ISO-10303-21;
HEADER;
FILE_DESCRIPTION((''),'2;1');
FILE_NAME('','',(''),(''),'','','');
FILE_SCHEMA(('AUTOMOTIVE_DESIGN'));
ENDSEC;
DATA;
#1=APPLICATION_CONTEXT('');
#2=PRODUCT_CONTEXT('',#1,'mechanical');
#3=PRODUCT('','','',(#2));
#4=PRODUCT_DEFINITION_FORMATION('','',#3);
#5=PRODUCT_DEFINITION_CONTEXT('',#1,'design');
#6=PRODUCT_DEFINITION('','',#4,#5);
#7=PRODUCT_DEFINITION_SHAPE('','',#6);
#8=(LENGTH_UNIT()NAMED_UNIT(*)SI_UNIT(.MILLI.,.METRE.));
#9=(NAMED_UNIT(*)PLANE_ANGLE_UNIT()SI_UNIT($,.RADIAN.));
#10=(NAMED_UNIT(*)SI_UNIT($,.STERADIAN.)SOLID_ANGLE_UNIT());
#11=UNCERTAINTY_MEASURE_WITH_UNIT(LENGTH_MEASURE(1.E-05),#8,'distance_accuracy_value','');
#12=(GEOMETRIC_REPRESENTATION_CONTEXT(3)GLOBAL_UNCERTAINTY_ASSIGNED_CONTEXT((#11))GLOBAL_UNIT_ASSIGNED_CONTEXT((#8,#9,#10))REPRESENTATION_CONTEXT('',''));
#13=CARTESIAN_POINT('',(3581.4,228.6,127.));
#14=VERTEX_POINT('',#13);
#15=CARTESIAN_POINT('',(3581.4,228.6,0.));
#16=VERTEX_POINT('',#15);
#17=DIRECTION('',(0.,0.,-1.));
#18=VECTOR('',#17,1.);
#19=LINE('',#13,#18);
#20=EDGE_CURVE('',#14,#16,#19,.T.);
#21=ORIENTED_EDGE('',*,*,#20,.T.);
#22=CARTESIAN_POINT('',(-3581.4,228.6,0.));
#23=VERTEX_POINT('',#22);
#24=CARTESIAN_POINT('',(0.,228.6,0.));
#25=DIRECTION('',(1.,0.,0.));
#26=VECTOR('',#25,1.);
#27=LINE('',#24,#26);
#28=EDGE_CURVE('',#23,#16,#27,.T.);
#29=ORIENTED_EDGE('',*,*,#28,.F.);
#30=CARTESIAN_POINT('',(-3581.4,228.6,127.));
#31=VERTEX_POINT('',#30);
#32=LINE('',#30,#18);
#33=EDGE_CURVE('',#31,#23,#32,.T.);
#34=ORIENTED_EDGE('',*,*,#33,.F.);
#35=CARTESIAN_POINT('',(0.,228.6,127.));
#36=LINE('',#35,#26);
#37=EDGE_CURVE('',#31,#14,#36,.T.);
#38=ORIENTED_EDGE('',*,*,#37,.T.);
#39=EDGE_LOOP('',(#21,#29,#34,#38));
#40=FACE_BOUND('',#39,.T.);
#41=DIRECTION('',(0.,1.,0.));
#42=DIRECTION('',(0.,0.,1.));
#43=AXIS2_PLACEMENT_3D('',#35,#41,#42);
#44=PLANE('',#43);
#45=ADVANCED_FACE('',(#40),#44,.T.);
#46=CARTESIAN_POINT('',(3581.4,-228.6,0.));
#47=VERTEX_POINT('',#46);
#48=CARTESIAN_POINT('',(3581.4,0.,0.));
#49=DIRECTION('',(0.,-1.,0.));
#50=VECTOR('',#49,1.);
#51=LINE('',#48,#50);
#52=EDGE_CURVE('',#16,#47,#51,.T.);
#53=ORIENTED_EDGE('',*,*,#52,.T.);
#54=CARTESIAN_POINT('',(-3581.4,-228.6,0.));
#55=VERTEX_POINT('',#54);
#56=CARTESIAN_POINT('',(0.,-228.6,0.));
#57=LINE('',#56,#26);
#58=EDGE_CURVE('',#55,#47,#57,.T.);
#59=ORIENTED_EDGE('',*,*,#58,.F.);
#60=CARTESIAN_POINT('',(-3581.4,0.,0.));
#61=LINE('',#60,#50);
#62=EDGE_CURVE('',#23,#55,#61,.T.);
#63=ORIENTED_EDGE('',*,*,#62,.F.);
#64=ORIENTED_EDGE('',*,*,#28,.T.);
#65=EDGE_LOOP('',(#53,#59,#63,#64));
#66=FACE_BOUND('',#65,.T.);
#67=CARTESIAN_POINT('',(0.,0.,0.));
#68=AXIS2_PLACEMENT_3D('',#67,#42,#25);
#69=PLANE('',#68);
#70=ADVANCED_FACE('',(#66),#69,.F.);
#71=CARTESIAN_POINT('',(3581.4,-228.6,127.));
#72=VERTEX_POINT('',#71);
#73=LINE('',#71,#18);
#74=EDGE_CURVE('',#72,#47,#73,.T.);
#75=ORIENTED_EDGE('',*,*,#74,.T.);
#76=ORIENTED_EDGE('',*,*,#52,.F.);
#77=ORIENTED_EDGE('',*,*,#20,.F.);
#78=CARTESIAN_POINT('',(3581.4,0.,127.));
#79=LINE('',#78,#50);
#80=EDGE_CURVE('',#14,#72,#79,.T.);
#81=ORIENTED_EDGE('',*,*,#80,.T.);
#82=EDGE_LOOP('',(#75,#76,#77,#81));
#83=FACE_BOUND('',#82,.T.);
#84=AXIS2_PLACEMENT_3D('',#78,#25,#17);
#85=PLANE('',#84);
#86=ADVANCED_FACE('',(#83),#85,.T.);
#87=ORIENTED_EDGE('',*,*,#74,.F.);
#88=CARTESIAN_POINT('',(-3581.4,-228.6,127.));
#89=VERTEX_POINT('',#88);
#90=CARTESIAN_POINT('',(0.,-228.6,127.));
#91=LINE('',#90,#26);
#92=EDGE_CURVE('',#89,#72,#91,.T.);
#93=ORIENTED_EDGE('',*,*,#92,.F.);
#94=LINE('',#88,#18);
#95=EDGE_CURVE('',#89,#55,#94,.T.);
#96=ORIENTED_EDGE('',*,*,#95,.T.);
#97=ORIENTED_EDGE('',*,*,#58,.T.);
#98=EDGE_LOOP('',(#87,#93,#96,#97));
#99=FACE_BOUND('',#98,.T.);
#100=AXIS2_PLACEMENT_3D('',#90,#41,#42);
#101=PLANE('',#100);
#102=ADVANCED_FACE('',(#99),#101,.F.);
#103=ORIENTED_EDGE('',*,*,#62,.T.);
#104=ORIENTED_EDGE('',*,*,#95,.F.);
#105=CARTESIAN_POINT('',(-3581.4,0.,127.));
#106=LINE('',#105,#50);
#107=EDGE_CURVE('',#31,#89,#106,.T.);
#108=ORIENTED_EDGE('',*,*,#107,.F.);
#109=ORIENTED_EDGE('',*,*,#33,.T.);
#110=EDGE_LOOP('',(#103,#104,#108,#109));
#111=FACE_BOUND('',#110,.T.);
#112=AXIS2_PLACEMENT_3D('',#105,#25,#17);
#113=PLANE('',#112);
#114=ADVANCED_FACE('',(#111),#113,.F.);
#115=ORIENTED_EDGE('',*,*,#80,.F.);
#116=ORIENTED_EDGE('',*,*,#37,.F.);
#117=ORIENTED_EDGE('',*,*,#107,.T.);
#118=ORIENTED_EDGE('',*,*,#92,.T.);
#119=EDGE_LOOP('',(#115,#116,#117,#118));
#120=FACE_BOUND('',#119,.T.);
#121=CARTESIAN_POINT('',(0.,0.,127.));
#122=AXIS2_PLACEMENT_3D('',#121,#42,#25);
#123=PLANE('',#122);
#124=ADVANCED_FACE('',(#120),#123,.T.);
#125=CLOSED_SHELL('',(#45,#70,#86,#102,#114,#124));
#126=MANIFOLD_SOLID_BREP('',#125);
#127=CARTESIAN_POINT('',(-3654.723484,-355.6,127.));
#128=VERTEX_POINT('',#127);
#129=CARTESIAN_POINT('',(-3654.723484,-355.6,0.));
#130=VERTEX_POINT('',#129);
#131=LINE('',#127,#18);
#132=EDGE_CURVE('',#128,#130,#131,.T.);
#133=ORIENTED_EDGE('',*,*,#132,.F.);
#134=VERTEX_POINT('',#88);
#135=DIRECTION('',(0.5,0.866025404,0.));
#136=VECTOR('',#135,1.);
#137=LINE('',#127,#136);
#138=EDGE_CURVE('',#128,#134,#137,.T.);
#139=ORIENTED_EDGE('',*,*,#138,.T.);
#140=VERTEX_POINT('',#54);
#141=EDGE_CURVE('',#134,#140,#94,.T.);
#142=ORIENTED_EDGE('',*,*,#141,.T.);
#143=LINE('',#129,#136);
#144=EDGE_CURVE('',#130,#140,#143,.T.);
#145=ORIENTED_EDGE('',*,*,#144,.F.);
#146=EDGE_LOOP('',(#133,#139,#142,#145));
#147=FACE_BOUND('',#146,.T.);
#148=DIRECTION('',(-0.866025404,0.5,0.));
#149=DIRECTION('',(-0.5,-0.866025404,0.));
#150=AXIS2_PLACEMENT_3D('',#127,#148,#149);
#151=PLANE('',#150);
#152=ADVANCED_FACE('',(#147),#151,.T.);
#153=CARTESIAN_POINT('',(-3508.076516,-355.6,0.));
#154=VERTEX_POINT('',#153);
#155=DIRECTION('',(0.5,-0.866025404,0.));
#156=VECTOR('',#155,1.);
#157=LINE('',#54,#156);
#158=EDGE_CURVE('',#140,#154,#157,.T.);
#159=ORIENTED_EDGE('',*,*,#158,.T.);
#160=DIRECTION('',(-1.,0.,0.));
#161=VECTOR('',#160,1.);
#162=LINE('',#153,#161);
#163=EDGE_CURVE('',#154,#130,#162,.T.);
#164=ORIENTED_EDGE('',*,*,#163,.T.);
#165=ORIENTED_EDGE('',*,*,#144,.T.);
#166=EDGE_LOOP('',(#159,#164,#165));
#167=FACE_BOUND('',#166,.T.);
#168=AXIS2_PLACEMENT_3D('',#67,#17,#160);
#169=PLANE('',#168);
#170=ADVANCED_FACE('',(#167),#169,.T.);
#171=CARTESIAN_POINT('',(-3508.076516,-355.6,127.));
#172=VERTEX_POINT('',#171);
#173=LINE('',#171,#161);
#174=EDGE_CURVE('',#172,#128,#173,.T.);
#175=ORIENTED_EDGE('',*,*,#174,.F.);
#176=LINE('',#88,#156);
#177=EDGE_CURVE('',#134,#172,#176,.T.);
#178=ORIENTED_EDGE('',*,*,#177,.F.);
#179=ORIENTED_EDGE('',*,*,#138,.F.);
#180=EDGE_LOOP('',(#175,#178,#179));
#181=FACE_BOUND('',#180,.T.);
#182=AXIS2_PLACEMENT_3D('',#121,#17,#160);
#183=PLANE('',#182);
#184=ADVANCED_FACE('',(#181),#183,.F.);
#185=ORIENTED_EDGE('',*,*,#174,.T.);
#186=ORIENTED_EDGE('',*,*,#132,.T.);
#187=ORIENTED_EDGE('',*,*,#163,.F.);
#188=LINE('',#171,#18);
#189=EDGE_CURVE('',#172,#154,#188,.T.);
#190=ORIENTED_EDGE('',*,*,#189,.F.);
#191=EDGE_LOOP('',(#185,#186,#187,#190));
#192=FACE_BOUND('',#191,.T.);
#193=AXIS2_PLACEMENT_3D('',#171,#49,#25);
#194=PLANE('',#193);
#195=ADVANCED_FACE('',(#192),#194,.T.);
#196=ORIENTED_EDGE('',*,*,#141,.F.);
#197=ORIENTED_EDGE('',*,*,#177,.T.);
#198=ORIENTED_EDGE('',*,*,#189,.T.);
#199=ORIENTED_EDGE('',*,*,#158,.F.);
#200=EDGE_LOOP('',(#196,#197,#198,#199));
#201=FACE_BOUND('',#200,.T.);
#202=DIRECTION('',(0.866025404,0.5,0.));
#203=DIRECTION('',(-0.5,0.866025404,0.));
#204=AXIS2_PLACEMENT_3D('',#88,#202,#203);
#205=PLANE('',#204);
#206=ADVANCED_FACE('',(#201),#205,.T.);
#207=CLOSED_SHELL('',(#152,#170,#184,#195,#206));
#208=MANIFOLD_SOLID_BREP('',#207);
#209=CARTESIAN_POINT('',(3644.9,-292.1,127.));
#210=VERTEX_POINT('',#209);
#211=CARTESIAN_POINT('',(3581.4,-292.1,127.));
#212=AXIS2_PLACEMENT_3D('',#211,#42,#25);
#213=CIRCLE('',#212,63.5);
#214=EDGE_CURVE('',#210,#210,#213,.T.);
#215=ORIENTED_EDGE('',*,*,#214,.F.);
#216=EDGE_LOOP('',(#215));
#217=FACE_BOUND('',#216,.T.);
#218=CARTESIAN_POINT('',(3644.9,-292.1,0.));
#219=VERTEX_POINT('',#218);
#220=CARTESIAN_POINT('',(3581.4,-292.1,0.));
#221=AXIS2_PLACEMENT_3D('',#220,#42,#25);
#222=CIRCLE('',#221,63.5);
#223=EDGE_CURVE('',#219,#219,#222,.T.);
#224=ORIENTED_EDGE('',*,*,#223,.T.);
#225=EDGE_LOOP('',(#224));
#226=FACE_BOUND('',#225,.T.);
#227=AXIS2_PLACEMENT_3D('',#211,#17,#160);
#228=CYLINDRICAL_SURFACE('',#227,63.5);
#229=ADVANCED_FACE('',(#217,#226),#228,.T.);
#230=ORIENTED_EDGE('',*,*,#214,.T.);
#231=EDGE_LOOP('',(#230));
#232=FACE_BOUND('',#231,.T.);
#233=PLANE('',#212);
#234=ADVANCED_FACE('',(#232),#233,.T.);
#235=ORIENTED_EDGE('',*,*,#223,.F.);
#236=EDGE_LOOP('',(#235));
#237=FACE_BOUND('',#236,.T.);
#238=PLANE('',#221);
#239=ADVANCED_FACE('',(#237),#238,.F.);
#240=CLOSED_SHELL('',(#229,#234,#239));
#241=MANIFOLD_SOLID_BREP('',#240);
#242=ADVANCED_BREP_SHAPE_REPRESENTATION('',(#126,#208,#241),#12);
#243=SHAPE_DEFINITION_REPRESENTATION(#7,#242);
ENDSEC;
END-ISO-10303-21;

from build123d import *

# Parameters (mm, degrees)
SKETCH1_R             = 63.5
BOSS_EXTRUDE1_DEPTH   = 127
BOSS_EXTRUDE1_2_DEPTH = 127
SKETCH1_W             = 7162.8
SKETCH1_H             = 457.2
BOSS_EXTRUDE1_3_DEPTH = 127


with BuildPart() as part:
    # Sketch1 → Boss-Extrude1 (new body)
    with BuildSketch(Plane.XY):
        with Locations((3581.4, -292.1)):
            Circle(SKETCH1_R)
    extrude(amount=BOSS_EXTRUDE1_DEPTH)


with BuildPart() as body_2:
    # Sketch1 → Boss-Extrude1 2 (new body)
    with BuildSketch(Plane.XY):
        Polygon((-3508.076515813, -355.6), (-3581.4, -228.6), (-3654.723484187, -355.6), align=None)
    extrude(amount=BOSS_EXTRUDE1_2_DEPTH)


with BuildPart() as body_3:
    # Sketch1 → Boss-Extrude1 3 (new body)
    with BuildSketch(Plane.XY):
        Rectangle(SKETCH1_W, SKETCH1_H)
    extrude(amount=BOSS_EXTRUDE1_3_DEPTH)


solid = Compound([part.part, body_2.part, body_3.part])
